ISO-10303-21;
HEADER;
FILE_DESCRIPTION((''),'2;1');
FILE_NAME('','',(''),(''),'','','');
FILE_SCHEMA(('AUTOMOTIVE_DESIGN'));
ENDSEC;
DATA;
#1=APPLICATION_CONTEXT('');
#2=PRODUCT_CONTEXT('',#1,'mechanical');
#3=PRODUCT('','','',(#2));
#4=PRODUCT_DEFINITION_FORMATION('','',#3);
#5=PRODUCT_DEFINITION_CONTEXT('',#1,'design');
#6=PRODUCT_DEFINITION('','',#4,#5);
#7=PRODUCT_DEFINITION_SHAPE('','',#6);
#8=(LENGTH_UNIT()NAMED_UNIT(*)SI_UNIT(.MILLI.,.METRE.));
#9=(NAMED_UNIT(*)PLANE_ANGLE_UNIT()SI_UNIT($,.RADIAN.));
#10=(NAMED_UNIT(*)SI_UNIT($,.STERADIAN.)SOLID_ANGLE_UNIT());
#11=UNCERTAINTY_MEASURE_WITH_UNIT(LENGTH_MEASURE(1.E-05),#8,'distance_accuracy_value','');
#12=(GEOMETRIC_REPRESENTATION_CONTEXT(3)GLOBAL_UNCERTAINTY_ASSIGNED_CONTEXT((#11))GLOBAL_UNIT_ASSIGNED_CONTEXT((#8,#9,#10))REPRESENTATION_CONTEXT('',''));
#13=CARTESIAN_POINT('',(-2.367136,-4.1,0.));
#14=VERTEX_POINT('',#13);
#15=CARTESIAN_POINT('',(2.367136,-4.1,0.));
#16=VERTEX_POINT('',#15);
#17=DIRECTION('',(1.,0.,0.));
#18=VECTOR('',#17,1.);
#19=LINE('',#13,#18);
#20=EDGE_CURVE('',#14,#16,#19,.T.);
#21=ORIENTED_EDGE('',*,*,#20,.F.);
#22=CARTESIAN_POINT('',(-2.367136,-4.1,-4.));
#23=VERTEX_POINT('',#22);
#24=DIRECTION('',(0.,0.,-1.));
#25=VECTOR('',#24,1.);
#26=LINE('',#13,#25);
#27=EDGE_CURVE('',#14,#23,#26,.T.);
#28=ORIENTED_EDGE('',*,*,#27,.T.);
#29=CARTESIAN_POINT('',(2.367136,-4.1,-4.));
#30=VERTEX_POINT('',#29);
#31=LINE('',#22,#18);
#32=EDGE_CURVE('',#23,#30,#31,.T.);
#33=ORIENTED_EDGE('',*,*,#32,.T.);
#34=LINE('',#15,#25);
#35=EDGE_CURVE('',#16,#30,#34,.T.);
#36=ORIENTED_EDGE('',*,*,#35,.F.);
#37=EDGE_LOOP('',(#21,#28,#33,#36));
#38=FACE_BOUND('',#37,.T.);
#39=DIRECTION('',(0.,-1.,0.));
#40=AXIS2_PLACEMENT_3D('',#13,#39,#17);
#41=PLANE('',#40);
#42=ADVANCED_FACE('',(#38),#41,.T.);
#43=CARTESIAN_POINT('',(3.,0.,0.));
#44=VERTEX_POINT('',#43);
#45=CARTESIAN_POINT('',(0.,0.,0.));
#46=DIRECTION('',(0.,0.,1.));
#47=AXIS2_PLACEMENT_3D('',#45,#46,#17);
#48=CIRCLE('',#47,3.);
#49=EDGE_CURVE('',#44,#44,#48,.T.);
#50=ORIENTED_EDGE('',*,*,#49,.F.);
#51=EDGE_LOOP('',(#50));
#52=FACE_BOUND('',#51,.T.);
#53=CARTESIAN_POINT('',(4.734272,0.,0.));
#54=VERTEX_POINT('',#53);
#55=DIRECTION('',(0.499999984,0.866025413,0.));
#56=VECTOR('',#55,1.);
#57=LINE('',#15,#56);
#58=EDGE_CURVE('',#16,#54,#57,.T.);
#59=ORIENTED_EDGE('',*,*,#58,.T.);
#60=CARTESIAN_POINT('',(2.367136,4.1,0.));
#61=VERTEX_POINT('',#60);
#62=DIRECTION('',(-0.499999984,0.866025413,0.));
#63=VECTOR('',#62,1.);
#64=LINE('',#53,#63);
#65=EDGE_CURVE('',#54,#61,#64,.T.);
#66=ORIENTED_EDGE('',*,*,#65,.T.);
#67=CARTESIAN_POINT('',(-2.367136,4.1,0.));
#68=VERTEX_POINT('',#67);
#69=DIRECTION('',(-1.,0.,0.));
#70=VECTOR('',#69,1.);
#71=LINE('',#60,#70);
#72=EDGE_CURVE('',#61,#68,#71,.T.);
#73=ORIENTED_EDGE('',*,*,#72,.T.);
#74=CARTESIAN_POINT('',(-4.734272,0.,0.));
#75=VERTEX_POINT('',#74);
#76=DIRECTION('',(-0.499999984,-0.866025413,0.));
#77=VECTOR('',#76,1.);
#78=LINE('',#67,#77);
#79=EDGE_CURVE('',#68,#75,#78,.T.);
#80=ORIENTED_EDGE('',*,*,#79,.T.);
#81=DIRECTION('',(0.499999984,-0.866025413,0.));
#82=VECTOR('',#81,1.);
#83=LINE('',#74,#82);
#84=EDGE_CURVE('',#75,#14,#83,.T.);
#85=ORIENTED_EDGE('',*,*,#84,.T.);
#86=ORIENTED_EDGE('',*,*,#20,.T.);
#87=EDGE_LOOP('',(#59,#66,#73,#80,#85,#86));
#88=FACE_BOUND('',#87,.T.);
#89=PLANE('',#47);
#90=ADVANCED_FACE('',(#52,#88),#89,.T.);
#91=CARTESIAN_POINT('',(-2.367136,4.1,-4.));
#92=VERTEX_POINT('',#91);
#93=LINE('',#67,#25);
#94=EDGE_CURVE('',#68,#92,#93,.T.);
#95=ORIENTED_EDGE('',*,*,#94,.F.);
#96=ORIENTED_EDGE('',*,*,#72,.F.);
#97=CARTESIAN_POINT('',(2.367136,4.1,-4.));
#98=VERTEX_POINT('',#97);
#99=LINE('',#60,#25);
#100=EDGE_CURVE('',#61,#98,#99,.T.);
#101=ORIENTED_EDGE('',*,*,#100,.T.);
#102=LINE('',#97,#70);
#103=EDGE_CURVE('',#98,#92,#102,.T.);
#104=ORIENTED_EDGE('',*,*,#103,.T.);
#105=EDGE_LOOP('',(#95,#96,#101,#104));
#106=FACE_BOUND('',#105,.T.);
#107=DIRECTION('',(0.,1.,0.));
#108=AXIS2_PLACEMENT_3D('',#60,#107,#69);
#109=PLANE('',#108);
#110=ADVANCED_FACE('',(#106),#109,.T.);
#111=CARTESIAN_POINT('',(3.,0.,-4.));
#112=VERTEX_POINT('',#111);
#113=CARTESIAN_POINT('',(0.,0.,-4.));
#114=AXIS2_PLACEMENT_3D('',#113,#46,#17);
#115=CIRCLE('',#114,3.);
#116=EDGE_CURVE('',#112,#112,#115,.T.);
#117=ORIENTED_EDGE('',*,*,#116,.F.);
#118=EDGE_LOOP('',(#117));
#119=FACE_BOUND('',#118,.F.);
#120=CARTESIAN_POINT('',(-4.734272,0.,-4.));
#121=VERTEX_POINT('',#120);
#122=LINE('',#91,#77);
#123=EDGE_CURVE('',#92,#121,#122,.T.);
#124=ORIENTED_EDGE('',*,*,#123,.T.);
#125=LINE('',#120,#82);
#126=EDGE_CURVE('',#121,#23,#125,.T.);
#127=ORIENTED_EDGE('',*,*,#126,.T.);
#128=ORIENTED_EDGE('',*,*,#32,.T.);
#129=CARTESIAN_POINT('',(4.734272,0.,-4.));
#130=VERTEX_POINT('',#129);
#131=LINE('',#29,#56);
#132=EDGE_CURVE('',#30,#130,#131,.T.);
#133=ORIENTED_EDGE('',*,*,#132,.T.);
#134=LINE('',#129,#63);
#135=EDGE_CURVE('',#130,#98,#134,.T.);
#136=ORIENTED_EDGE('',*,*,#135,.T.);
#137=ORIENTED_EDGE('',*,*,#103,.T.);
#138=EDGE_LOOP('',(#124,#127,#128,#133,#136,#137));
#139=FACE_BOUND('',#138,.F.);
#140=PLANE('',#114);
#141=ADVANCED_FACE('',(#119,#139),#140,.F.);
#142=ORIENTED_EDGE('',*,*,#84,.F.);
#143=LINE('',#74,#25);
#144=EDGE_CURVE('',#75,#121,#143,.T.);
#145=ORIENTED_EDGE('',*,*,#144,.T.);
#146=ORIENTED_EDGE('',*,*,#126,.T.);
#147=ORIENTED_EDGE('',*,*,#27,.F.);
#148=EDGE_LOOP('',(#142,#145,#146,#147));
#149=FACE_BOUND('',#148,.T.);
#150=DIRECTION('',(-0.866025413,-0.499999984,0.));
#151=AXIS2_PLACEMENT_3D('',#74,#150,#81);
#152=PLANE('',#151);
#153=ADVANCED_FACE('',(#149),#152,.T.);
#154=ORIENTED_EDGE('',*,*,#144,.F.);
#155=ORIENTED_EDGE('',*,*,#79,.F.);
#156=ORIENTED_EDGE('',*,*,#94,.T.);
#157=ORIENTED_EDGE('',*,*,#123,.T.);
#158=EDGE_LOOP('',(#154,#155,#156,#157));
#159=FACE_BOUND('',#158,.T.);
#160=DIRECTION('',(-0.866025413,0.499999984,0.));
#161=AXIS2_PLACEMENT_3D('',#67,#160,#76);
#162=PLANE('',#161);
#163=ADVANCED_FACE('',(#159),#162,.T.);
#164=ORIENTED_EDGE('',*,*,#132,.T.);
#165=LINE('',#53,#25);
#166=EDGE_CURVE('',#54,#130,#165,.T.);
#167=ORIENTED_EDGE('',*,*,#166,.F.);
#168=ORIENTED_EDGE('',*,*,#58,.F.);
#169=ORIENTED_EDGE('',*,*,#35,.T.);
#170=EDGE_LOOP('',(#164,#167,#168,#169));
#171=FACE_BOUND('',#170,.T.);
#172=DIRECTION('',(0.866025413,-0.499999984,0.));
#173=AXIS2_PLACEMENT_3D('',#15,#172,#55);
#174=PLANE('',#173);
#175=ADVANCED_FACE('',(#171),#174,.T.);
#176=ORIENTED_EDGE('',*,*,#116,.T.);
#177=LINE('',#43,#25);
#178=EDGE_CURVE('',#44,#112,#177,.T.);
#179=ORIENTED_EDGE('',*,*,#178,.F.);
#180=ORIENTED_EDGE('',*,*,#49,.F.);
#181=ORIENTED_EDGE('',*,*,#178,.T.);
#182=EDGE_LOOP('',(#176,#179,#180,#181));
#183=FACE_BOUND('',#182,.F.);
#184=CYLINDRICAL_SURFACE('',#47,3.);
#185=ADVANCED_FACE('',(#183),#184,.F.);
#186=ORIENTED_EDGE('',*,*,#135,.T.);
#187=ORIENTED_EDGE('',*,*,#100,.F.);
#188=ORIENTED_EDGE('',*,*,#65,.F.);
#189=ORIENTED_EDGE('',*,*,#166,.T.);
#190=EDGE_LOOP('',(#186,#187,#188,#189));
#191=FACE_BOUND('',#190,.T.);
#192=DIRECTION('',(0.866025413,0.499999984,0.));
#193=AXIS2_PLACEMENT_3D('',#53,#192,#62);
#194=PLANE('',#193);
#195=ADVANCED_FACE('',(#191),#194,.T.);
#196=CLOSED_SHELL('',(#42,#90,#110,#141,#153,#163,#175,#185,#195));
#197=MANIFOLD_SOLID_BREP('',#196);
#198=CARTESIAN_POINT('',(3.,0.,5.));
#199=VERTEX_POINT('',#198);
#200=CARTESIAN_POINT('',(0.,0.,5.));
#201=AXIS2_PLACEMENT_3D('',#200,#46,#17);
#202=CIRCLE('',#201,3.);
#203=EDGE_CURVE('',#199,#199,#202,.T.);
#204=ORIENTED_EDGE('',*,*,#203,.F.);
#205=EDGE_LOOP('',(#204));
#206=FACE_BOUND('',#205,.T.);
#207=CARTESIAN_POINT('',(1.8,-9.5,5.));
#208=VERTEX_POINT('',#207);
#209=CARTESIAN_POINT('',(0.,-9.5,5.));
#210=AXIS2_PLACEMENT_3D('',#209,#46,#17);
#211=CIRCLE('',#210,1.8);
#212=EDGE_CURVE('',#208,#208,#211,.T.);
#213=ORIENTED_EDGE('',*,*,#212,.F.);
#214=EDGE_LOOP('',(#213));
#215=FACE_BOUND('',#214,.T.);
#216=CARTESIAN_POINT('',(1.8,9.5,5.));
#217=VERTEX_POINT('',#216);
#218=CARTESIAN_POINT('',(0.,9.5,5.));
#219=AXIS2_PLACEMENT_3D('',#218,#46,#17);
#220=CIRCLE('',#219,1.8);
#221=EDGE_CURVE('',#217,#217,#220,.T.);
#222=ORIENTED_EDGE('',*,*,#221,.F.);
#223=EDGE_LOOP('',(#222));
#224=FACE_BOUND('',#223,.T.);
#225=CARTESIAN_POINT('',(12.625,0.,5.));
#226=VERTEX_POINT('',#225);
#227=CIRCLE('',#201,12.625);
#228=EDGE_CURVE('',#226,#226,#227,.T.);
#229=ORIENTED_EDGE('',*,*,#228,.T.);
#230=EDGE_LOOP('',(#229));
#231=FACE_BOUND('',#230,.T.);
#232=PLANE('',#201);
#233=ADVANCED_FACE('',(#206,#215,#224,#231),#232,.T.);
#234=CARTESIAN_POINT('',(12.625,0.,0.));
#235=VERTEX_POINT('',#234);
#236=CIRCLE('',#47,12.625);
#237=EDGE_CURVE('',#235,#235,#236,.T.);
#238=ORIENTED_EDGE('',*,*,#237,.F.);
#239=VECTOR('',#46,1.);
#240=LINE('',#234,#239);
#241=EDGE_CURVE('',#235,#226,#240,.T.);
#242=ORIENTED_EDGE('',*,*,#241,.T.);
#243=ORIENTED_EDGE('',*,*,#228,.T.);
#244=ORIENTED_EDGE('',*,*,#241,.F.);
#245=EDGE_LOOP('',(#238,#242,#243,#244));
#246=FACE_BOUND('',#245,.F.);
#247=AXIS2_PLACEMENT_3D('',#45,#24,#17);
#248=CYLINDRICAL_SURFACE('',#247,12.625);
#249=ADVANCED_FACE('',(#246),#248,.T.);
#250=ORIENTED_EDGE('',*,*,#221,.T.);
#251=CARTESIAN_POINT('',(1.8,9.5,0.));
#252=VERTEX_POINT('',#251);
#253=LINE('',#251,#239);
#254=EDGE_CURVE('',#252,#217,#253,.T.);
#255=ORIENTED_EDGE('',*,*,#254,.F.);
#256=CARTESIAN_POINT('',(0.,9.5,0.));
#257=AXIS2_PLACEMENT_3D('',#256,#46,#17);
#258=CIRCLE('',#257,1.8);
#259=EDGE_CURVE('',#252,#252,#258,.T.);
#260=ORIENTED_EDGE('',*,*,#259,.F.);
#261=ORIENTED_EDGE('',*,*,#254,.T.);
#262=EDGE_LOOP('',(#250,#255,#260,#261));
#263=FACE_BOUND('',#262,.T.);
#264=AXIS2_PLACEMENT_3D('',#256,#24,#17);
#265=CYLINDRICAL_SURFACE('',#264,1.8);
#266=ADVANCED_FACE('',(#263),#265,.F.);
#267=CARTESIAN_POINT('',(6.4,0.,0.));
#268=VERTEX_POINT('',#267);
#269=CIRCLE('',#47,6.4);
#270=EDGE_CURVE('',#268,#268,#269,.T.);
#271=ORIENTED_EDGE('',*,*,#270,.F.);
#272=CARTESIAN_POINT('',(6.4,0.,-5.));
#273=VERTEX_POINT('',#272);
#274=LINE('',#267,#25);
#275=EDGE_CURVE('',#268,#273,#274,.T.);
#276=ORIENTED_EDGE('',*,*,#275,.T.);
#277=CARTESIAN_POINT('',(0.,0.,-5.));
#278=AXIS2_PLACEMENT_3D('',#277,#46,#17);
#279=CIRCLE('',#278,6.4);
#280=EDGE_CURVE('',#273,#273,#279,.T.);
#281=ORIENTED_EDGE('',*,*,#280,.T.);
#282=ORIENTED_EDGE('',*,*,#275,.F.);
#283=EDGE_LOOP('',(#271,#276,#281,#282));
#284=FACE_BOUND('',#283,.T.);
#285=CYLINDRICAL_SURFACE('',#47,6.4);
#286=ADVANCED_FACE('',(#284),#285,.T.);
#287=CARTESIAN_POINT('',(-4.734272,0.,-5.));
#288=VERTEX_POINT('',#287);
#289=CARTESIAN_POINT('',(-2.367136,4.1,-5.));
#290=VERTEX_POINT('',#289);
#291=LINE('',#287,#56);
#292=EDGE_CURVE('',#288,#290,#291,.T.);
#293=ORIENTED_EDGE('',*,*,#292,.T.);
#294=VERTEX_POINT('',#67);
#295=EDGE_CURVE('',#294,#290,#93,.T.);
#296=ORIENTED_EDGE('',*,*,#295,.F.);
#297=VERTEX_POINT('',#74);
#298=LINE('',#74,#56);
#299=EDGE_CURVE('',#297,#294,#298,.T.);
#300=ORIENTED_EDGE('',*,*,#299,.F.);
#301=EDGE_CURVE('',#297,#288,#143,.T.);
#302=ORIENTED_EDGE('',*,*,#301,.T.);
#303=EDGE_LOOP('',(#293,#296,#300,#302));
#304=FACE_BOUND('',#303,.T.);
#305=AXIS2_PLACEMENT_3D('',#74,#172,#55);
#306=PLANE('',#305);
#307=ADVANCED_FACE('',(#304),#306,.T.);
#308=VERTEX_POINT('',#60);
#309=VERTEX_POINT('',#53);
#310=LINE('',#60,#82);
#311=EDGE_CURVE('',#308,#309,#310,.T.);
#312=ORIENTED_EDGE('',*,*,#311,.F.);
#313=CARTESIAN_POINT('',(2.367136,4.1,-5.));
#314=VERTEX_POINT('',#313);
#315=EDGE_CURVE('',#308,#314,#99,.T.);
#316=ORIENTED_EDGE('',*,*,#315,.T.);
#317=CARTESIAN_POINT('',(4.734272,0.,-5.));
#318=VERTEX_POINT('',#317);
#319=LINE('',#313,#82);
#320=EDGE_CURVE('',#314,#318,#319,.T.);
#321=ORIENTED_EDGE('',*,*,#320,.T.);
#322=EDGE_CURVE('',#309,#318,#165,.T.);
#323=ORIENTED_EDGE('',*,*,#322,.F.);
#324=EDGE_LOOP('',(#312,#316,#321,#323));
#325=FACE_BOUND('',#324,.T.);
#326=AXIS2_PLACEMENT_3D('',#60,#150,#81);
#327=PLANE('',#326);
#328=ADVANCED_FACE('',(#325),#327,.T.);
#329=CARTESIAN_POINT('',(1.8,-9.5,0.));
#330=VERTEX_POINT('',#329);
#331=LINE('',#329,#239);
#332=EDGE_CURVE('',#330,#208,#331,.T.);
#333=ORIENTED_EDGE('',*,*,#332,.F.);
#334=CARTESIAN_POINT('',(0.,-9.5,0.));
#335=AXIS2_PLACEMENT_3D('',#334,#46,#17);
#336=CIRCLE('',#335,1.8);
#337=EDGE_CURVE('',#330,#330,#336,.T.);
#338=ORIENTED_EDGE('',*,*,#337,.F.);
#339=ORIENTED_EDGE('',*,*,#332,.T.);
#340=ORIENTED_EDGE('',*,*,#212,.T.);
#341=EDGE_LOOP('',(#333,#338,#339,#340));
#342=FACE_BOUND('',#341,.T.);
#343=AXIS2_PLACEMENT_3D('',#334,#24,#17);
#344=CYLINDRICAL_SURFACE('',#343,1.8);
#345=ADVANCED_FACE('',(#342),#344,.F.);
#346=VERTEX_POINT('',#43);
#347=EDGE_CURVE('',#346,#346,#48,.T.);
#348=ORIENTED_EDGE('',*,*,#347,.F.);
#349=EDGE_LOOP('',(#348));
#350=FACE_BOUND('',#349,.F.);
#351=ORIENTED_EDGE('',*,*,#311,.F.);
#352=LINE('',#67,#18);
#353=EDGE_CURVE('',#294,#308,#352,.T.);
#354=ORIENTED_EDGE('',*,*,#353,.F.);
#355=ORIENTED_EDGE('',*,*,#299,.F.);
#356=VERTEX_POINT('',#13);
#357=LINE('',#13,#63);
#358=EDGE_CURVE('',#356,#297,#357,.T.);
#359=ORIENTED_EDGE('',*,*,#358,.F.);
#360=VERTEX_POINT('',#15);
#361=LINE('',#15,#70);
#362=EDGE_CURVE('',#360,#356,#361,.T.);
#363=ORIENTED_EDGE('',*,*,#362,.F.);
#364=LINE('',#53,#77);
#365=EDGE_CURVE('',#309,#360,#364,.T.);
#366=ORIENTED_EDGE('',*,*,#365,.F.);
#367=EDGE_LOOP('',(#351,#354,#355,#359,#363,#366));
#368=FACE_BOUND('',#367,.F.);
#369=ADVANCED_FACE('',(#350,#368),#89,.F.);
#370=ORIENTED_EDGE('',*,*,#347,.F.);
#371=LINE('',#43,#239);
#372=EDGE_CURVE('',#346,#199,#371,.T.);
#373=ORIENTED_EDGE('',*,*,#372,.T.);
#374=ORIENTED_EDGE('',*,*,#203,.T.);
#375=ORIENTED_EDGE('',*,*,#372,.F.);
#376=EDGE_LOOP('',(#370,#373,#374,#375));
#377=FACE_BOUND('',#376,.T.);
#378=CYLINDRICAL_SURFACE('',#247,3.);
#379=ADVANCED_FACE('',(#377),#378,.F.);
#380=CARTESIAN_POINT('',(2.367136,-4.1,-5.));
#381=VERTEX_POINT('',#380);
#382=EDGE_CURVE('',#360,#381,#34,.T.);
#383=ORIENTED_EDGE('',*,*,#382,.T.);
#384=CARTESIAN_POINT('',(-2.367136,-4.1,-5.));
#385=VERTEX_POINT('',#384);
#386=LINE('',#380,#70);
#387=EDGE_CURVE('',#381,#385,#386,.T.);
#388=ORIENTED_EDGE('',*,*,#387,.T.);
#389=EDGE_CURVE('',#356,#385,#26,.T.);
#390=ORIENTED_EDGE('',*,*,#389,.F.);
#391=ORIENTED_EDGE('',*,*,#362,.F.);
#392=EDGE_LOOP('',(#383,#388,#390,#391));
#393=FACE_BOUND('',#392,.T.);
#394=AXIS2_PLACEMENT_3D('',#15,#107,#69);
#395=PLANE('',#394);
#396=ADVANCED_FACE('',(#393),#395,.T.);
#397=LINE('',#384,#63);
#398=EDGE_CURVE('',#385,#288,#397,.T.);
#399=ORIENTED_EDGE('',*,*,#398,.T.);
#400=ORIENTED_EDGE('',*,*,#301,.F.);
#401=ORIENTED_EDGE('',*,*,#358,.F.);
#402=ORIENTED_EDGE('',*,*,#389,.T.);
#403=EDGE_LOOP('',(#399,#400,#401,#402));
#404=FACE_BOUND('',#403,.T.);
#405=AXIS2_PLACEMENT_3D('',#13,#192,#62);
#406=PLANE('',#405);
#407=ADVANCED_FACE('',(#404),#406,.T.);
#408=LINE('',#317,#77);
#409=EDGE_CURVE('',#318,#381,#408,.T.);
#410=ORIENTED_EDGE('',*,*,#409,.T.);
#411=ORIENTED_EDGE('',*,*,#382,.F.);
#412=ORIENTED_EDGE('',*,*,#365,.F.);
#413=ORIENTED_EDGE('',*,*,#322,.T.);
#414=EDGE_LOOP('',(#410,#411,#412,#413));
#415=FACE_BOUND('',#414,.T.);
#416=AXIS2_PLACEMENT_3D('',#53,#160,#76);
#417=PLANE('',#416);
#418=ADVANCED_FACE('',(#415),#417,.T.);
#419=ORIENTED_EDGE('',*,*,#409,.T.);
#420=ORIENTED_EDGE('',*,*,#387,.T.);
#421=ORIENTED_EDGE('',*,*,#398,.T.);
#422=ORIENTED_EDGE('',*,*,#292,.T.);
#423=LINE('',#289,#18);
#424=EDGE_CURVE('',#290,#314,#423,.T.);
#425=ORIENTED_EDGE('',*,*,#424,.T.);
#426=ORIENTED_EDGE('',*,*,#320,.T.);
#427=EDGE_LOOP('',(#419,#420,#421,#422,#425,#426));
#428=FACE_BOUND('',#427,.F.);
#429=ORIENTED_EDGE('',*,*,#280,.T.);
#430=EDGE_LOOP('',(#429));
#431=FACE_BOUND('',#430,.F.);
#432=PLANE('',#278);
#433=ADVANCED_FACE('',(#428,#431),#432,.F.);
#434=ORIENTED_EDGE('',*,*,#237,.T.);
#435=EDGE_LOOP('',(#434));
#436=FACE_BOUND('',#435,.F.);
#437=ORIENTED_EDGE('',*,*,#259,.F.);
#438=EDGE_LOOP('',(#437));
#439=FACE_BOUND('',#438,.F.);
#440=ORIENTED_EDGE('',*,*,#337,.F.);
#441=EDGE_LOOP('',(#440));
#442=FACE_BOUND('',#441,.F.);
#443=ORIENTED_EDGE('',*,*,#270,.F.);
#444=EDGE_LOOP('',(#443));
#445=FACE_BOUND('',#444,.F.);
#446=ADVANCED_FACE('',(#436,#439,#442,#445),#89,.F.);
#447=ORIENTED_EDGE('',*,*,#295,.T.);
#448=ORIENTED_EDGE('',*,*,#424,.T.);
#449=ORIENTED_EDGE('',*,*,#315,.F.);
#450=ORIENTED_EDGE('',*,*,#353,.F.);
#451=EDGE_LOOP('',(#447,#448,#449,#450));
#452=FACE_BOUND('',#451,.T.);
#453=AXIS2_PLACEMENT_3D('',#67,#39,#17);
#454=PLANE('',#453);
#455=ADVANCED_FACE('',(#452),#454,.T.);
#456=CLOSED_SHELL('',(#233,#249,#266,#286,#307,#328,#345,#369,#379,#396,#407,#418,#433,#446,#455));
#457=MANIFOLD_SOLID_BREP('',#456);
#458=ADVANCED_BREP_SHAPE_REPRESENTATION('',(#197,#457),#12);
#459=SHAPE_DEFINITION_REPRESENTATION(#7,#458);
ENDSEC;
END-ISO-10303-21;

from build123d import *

# Parameters (mm, degrees)
F0_R     = 12.625
F0_R_2   = 1.8
F0_R_3   = 6.4
F0_R_4   = 3
F1_DEPTH = 5
F2_DEPTH = 5
F3_DEPTH = 4


with BuildPart() as f1:
    # F0 (on Top) → F1 (new body)
    with BuildSketch(Plane.XY):
        Circle(F0_R)
        with Locations((0, -9.5)):
            Circle(F0_R_2, mode=Mode.SUBTRACT)
        Circle(F0_R_3, mode=Mode.SUBTRACT)
        with Locations((0, 9.5)):
            Circle(F0_R_2, mode=Mode.SUBTRACT)
        Circle(F0_R_3)
        Polygon((-4.734272, 0), (-2.367136, 4.1), (2.367136, 4.1), (4.734272, 0), (2.367136, -4.1), (-2.367136, -4.1), align=None, mode=Mode.SUBTRACT)
        Polygon((2.367136, 4.1), (-2.367136, 4.1), (-4.734272, 0), (-2.367136, -4.1), (2.367136, -4.1), (4.734272, 0), align=None)
        Circle(F0_R_4, mode=Mode.SUBTRACT)
    extrude(amount=F1_DEPTH)

    # F0 (on Top) → F2 (join)
    with BuildSketch(Plane.XY):
        Circle(F0_R_3)
        Polygon((-4.734272, 0), (-2.367136, 4.1), (2.367136, 4.1), (4.734272, 0), (2.367136, -4.1), (-2.367136, -4.1), align=None, mode=Mode.SUBTRACT)
    extrude(amount=-F2_DEPTH)


with BuildPart() as f3:
    # F0 (on Top) → F3 (new body)
    with BuildSketch(Plane.XY):
        Polygon((2.367136, 4.1), (-2.367136, 4.1), (-4.734272, 0), (-2.367136, -4.1), (2.367136, -4.1), (4.734272, 0), align=None)
        Circle(F0_R_4, mode=Mode.SUBTRACT)
    extrude(amount=-F3_DEPTH)


solid = Compound([f1.part, f3.part])
